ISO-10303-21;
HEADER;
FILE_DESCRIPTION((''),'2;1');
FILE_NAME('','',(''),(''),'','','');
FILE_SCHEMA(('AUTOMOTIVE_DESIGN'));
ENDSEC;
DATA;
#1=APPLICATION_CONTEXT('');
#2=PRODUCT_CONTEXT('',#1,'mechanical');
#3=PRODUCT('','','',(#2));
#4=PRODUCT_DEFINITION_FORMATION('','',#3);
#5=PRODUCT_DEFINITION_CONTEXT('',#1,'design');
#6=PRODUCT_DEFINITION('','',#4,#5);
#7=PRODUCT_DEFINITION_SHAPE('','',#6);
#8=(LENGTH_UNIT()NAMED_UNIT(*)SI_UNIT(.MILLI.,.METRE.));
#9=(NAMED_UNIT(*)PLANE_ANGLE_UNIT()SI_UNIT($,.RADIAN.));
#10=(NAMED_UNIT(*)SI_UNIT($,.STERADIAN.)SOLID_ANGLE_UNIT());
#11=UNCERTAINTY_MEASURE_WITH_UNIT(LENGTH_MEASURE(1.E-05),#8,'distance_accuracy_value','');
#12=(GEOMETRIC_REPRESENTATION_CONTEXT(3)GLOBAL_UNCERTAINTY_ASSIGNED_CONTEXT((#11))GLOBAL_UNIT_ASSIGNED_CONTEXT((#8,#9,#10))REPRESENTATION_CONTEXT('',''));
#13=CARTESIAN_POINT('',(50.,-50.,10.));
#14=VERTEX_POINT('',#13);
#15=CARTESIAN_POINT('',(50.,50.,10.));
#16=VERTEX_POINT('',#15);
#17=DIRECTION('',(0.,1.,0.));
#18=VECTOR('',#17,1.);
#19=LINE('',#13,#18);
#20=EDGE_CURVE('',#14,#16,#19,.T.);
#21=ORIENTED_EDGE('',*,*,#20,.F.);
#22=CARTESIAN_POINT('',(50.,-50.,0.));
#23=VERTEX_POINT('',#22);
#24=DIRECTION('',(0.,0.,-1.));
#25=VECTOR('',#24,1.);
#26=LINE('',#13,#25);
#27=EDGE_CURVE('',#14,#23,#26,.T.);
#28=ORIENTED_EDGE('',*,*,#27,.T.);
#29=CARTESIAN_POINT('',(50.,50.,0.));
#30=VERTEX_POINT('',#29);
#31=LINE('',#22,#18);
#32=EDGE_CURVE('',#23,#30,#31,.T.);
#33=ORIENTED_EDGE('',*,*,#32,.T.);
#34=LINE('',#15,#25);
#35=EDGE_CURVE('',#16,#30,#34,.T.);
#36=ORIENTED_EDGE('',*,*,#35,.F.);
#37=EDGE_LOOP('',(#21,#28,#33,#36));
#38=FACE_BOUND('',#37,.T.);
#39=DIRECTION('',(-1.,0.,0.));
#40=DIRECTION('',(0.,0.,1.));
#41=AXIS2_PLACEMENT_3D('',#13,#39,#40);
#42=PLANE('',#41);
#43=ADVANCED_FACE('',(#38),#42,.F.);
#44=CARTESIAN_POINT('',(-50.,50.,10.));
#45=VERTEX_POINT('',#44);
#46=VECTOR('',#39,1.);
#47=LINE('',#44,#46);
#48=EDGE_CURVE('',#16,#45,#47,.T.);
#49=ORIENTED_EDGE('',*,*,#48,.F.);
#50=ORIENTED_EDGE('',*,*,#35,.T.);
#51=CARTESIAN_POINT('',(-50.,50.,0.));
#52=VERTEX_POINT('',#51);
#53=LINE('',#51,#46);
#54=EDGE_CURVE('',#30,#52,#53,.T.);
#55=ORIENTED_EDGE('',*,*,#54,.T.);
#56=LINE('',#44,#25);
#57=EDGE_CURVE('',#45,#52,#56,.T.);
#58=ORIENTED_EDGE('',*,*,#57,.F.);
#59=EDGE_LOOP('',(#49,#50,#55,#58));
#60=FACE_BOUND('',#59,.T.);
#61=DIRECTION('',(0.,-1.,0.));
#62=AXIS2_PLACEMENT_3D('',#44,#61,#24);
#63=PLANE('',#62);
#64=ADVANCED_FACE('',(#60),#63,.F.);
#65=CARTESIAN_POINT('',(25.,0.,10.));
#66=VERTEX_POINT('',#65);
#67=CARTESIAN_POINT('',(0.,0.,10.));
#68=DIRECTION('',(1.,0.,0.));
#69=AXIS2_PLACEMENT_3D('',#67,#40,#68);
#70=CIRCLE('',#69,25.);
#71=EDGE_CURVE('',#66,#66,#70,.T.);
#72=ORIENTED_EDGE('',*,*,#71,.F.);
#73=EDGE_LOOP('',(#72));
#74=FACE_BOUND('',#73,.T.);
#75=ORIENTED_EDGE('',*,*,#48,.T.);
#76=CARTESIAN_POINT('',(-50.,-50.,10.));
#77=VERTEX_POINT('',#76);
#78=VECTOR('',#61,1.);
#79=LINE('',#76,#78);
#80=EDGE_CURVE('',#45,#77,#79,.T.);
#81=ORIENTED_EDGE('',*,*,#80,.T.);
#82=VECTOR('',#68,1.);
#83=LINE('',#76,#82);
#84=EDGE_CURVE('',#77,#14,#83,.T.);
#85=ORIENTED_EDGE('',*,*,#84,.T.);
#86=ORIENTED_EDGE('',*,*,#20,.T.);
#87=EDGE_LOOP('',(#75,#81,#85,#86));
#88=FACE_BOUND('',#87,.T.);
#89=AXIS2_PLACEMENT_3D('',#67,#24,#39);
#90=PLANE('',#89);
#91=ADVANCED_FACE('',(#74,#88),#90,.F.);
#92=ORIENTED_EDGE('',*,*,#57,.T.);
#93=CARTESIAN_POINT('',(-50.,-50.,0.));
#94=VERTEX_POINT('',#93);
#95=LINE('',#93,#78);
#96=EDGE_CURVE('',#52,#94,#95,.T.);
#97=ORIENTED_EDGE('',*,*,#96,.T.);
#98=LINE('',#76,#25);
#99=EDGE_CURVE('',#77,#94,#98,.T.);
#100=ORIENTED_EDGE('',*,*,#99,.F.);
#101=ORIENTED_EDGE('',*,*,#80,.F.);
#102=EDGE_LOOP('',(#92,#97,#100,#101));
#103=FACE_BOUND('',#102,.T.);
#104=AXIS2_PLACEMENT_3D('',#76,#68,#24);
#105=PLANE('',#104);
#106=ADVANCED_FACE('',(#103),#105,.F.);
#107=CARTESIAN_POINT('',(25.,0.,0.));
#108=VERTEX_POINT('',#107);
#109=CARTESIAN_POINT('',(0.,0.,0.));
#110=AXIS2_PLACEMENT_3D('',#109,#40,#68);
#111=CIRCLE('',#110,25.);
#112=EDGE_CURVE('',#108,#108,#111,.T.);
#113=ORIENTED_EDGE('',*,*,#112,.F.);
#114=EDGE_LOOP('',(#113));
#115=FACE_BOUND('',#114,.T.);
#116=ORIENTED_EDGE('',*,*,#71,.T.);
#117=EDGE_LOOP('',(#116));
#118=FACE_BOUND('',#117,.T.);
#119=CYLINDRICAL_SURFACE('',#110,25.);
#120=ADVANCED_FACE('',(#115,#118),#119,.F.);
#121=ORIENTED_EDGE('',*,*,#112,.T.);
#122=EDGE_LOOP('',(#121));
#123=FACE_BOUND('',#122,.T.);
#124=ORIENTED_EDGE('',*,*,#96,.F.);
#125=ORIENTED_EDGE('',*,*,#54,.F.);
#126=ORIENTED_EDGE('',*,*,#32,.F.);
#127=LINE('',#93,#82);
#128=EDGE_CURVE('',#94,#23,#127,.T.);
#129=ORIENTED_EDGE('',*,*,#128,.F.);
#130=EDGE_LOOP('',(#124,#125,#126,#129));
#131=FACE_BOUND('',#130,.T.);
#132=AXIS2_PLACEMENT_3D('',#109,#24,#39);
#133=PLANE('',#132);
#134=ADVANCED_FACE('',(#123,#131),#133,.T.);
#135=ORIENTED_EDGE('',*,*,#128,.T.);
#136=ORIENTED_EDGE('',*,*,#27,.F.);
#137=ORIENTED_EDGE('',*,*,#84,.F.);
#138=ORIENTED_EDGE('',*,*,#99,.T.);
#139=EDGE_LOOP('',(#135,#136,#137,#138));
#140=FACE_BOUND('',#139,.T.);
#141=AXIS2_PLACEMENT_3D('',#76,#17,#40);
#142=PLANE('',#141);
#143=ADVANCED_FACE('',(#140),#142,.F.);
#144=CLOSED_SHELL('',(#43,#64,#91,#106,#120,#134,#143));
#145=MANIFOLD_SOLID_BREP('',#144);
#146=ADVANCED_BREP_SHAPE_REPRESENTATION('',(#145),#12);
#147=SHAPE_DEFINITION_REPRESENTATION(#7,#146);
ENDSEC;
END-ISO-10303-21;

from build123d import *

# Parameters (mm, degrees)
SKETCH1_W           = 100
SKETCH1_H           = 100
BOSS_EXTRUDE1_DEPTH = 10
SKETCH2_R           = 25
CUT_EXTRUDE1_DEPTH  = 10


with BuildPart() as part:
    # Sketch1 → Boss-Extrude1 (new body)
    with BuildSketch(Plane.XY):
        Rectangle(SKETCH1_W, SKETCH1_H)
    extrude(amount=BOSS_EXTRUDE1_DEPTH)

    # Sketch2 → Cut-Extrude1 (cut)
    with BuildSketch(Plane.XY.offset(10)):
        Circle(SKETCH2_R)
    extrude(amount=-CUT_EXTRUDE1_DEPTH, mode=Mode.SUBTRACT)


solid = part.part
